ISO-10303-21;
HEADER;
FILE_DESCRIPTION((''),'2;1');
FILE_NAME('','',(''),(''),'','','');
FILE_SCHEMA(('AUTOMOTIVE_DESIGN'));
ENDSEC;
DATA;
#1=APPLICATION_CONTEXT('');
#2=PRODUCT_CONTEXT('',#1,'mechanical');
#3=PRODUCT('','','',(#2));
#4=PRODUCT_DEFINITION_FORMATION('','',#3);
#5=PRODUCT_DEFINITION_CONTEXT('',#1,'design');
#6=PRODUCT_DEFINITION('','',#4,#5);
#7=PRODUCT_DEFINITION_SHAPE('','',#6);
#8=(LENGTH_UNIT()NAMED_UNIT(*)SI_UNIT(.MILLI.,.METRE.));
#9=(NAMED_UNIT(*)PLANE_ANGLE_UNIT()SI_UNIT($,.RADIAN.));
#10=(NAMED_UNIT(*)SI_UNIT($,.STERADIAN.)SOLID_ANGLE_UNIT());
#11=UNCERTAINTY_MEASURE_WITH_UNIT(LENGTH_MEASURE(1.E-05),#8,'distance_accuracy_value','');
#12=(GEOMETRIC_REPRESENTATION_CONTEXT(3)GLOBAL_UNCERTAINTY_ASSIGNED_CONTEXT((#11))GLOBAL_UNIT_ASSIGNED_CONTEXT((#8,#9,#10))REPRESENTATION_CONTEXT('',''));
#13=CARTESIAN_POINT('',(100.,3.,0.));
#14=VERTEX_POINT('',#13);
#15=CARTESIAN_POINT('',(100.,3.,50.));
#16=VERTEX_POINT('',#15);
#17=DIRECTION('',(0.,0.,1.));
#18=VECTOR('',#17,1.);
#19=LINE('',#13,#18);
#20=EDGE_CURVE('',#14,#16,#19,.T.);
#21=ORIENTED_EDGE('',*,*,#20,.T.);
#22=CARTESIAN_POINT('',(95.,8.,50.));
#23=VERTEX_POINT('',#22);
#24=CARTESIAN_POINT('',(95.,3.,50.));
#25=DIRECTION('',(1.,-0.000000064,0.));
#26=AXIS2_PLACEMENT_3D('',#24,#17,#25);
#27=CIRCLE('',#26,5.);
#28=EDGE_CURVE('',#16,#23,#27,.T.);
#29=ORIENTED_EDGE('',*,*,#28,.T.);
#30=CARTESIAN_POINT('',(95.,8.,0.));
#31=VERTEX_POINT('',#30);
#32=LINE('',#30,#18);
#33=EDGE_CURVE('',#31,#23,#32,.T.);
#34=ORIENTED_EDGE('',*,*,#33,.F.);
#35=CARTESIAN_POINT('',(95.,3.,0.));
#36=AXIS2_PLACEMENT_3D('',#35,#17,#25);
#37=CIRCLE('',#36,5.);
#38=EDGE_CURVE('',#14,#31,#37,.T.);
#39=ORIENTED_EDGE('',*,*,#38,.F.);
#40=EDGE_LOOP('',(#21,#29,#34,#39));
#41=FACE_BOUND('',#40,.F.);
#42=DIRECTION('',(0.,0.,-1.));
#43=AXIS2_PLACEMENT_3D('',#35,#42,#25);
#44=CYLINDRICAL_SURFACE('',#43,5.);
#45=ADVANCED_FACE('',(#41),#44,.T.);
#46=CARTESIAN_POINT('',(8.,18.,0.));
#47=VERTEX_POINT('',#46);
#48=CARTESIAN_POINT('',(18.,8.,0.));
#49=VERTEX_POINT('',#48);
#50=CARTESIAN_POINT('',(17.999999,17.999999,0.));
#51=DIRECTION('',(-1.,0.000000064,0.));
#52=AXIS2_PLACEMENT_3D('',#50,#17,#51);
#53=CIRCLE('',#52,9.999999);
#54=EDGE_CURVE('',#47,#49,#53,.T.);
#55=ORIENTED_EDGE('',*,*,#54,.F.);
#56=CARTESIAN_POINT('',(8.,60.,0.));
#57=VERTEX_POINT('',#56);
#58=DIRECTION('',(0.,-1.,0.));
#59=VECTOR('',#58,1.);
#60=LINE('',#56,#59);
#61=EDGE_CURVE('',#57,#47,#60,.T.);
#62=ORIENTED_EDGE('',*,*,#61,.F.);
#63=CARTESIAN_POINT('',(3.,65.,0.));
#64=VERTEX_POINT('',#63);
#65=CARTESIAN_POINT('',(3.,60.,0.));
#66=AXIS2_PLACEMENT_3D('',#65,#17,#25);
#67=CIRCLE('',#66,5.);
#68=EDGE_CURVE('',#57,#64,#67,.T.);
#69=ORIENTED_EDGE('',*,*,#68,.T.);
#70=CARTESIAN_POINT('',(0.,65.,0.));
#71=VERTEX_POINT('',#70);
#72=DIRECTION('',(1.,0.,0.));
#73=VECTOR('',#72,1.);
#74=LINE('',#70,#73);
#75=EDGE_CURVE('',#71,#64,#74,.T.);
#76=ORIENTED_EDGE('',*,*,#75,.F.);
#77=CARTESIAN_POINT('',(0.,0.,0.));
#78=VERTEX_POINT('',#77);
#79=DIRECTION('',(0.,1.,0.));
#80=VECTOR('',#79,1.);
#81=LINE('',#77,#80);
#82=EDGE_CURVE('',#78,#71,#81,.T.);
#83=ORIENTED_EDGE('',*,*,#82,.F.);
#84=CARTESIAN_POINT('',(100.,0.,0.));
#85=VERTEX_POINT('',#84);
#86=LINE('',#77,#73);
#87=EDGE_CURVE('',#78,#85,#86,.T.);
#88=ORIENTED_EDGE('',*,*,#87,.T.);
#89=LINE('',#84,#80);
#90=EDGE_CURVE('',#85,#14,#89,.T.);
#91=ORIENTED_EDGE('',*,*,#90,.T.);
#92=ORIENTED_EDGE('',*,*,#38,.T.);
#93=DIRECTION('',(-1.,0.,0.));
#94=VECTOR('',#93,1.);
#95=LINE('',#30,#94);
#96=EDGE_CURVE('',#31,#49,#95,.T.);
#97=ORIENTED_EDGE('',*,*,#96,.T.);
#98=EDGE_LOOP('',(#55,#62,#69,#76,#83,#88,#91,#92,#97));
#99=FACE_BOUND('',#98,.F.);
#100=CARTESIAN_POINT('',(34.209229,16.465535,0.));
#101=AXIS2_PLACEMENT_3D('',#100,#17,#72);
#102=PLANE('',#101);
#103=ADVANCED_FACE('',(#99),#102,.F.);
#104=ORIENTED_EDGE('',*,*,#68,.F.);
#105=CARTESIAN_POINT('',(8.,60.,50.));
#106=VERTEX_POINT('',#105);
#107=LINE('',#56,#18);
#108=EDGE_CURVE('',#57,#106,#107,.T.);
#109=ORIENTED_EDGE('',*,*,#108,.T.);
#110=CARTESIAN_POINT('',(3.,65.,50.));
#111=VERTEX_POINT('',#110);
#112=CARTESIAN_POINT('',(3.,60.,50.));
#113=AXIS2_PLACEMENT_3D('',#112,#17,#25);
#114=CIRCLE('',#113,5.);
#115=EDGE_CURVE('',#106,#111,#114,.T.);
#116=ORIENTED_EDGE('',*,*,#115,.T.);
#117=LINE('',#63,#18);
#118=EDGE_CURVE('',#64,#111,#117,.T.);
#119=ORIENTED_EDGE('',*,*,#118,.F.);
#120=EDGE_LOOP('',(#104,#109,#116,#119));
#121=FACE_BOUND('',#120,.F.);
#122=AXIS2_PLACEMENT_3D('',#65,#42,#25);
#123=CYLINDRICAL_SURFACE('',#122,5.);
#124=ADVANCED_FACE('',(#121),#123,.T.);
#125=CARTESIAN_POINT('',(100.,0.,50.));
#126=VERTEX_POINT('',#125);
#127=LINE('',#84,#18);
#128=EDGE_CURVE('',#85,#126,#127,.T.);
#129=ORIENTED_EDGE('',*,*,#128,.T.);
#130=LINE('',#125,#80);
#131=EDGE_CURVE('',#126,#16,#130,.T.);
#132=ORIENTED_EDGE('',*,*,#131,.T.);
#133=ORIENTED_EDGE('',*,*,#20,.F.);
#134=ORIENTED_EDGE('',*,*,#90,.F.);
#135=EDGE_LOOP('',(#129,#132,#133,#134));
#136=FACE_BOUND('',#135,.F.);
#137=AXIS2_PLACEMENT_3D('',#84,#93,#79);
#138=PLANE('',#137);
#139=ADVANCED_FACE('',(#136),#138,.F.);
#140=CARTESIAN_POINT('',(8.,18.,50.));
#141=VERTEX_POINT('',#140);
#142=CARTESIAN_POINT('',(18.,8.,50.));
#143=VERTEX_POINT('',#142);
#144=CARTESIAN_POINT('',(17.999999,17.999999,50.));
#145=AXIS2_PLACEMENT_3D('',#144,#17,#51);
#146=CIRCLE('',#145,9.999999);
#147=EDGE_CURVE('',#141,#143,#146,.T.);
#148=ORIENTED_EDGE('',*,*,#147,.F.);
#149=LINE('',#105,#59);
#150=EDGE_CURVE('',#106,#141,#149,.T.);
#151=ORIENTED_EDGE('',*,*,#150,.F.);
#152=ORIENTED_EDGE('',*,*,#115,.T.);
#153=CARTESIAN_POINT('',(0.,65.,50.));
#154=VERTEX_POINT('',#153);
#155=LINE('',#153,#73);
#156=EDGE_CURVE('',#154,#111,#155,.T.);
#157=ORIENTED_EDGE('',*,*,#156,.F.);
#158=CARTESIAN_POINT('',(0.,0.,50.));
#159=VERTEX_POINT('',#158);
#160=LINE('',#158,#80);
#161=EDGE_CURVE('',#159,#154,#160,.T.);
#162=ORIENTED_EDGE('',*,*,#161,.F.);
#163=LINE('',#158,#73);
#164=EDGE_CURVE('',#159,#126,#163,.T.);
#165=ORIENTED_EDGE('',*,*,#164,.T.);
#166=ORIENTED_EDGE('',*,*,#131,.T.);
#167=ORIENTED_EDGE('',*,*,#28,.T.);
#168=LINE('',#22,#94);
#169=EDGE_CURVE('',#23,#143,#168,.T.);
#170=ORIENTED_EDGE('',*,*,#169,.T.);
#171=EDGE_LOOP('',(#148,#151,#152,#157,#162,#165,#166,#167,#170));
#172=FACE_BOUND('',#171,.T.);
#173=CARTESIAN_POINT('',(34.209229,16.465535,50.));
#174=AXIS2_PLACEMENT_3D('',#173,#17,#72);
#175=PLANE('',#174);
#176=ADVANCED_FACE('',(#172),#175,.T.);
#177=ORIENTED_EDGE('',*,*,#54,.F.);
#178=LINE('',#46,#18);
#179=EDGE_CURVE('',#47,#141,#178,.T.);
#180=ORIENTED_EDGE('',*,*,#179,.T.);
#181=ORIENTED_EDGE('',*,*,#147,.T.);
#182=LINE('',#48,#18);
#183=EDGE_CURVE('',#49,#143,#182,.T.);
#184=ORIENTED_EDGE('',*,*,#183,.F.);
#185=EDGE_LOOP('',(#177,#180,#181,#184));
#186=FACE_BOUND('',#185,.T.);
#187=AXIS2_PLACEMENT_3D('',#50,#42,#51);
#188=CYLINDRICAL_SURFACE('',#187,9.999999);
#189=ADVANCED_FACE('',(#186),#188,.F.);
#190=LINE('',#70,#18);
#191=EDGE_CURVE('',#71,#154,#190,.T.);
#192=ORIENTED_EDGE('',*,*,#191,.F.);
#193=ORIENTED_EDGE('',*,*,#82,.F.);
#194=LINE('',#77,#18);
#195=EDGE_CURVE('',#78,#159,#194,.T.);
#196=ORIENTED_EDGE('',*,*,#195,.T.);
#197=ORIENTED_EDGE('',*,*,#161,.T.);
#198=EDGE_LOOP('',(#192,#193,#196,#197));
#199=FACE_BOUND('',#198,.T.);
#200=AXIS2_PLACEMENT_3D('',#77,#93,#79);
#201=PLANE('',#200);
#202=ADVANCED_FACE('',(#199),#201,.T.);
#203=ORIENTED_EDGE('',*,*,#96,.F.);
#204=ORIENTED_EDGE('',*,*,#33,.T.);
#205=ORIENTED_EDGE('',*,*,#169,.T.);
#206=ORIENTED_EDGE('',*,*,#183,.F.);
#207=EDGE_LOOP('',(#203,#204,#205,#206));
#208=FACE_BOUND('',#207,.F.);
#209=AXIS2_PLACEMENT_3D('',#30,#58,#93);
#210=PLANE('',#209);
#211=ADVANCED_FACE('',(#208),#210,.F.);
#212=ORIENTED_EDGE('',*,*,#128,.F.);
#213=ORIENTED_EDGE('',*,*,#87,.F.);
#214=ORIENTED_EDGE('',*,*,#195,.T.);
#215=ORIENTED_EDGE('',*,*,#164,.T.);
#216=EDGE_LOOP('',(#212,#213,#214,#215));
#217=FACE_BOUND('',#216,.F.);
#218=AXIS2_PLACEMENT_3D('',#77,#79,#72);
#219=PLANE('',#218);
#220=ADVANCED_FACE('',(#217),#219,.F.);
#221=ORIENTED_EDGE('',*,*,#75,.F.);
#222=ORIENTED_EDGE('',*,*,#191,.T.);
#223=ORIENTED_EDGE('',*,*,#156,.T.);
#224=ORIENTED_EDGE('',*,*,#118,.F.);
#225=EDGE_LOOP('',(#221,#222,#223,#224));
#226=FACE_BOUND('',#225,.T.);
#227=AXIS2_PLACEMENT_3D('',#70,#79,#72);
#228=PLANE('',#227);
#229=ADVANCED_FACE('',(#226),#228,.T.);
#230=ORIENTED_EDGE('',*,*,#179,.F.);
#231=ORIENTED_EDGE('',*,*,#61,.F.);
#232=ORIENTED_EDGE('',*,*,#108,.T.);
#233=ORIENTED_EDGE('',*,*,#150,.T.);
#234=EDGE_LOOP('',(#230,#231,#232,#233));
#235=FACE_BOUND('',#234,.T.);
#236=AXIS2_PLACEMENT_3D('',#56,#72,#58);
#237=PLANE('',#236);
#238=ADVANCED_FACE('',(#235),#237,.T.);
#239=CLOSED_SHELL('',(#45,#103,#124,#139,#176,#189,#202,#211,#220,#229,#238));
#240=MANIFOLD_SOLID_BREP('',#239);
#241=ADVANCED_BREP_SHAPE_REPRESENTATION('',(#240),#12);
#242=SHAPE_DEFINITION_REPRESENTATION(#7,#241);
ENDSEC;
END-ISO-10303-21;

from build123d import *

# Parameters (mm, degrees)
EXTRUDE_DEPTH = 50


with BuildPart() as part:
    # Sketch → Extrude (new body)
    with BuildSketch(Plane.XY):
        with BuildLine():
            Line((0, 0), (100, 0))
            Line((100, 0), (100, 3))
            ThreePointArc((100, 3), (98.535534, 6.535534), (95, 8))
            Line((95, 8), (18, 8))
            ThreePointArc((8, 18), (10.928932, 10.928932), (18, 8))
            Line((8, 60), (8, 18))
            ThreePointArc((8, 60), (6.535534, 63.535534), (3, 65))
            Line((0, 65), (3, 65))
            Line((0, 0), (0, 65))
        make_face()
    extrude(amount=EXTRUDE_DEPTH)


solid = part.part
